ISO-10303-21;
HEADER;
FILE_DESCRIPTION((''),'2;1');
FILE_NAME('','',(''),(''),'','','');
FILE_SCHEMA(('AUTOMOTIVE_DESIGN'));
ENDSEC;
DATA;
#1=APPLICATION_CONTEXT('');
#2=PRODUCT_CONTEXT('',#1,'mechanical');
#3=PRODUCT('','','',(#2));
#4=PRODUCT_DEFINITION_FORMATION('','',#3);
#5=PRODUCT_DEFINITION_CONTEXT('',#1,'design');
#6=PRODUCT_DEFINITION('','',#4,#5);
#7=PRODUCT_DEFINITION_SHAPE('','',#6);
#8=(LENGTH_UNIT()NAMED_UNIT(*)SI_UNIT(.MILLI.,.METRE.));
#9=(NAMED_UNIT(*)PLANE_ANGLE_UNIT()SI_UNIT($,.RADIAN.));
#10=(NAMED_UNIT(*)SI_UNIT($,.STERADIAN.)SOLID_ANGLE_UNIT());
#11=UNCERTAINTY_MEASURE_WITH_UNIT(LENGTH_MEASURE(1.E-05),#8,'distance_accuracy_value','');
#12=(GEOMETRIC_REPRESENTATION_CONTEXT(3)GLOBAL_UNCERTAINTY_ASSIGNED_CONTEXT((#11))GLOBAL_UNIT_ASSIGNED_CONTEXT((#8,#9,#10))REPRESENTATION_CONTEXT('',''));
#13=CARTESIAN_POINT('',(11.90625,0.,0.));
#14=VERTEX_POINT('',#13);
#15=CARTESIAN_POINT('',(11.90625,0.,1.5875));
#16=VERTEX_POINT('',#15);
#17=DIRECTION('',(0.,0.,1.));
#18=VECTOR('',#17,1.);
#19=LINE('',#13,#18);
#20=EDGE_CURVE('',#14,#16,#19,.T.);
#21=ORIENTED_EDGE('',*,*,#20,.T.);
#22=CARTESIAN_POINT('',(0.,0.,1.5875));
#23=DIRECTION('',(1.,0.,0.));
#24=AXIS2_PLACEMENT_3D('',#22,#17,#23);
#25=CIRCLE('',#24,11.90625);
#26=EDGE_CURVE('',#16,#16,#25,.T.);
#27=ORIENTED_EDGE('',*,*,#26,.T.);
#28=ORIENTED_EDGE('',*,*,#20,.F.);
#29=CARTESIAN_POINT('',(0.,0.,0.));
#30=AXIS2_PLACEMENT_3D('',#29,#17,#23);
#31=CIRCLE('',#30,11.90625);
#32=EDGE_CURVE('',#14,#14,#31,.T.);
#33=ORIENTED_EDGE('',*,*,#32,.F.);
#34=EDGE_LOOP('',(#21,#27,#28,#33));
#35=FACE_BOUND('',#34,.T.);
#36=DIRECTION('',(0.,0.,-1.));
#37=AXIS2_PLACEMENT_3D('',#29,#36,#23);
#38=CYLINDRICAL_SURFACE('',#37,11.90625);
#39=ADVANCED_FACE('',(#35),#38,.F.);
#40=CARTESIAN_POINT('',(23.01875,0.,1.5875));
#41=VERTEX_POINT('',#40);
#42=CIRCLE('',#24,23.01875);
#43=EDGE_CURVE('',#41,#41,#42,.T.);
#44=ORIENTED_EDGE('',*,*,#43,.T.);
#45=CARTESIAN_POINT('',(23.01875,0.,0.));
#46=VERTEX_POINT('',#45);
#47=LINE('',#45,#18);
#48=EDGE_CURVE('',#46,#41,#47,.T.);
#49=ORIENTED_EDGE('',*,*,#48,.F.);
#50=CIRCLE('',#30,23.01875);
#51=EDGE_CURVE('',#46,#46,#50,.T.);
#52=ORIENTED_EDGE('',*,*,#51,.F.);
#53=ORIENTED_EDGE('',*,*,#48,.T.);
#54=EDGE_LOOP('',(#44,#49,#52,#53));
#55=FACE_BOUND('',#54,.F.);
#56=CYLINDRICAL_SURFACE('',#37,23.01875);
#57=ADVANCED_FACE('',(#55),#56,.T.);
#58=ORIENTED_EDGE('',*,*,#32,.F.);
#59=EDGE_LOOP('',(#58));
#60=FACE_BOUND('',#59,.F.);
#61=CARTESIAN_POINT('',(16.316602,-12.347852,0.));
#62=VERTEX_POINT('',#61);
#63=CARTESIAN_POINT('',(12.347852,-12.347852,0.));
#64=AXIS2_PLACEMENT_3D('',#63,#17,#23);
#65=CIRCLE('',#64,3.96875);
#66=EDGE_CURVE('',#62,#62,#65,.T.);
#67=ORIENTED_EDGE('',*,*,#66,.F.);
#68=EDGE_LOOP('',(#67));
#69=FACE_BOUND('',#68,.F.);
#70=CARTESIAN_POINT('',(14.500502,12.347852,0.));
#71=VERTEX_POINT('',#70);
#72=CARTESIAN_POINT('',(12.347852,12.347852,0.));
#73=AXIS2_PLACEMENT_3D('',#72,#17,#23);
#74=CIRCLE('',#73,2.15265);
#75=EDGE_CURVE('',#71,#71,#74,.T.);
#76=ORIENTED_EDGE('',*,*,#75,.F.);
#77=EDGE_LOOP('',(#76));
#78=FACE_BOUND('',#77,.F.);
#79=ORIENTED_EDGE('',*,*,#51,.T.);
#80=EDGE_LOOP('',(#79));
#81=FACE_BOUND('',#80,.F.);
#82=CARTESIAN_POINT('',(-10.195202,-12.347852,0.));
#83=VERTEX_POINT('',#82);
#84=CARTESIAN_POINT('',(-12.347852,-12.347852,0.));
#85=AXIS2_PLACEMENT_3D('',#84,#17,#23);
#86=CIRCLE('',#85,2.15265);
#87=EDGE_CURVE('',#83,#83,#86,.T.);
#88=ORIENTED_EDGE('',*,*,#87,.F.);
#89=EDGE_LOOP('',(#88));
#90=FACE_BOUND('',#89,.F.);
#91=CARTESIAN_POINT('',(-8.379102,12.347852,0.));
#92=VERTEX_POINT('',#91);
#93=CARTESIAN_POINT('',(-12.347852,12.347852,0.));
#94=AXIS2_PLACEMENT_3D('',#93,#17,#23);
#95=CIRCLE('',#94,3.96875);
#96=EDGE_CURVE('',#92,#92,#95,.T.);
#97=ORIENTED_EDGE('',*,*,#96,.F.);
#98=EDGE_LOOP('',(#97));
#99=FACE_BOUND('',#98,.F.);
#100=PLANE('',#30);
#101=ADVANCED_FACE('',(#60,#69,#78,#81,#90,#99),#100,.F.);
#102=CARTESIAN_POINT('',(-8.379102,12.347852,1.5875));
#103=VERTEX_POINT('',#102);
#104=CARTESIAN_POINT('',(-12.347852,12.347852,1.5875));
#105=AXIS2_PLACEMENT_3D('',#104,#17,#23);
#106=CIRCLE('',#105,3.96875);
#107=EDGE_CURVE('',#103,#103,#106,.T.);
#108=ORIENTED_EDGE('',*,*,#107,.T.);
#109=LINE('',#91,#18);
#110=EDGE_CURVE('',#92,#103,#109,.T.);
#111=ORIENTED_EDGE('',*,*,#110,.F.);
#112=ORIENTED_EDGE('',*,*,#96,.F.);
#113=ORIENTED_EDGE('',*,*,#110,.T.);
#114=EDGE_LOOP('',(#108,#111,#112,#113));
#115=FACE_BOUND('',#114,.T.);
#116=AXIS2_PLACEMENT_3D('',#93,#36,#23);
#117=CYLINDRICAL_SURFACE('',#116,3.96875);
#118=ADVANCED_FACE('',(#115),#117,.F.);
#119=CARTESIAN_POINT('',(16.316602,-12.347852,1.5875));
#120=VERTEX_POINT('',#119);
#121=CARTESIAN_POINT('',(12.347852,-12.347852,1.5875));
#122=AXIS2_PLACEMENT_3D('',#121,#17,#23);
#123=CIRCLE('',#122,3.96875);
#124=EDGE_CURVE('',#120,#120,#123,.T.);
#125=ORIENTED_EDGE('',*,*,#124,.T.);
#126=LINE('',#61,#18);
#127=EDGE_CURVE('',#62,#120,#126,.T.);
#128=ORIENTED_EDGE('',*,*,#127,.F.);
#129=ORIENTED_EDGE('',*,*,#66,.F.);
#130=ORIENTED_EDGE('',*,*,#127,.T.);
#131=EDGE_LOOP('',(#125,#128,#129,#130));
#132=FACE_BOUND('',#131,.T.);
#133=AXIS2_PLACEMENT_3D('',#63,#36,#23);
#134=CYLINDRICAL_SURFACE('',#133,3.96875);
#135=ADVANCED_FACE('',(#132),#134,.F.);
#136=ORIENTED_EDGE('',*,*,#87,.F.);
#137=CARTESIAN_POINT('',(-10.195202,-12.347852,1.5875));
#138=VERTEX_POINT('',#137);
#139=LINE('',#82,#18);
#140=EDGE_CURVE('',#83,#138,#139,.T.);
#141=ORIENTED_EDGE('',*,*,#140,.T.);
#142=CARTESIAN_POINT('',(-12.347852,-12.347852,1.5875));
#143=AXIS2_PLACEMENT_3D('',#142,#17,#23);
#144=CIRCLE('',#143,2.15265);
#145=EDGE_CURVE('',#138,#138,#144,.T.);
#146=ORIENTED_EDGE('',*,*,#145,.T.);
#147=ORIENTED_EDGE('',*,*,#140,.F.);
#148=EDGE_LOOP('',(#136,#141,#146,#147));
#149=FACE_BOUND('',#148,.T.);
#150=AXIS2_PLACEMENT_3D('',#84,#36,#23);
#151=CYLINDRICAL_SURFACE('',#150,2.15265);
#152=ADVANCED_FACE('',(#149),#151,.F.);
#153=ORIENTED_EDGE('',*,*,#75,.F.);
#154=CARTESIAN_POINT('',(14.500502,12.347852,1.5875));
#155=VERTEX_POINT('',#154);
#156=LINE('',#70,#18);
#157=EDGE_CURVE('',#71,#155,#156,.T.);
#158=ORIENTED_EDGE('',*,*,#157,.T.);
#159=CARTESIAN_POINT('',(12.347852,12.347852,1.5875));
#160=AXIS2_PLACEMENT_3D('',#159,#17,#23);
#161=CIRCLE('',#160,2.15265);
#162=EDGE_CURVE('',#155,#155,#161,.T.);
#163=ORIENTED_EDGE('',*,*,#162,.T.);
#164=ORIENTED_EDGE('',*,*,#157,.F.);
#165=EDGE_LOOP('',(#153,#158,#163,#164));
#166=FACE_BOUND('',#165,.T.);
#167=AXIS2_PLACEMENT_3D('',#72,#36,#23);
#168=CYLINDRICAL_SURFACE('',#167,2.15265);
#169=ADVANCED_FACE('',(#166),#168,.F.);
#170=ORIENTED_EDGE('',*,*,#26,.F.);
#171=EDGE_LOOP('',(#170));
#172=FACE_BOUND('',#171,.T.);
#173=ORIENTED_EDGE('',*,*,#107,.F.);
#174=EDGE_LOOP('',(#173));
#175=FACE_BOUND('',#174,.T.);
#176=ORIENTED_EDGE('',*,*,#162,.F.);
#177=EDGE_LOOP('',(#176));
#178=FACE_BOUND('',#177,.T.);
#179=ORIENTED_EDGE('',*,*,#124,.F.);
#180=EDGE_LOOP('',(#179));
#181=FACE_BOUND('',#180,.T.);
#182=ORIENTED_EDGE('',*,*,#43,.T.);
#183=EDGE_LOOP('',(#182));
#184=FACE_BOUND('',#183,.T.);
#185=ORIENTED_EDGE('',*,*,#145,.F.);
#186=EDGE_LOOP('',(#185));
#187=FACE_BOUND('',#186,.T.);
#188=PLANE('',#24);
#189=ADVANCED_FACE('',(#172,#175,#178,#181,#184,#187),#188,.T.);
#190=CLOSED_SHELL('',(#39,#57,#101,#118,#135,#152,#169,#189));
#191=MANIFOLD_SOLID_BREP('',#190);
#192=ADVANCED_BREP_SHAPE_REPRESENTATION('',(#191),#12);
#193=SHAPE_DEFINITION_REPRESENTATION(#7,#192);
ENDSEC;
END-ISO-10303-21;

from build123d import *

# Parameters (mm, degrees)
F0_R     = 23.01875
F0_R_2   = 2.15265
F0_R_3   = 3.96875
F0_R_4   = 11.90625
F1_DEPTH = 1.5875


with BuildPart() as f1:
    # F0 (on Top) → F1 (new body)
    with BuildSketch(Plane.XY):
        Circle(F0_R)
        with Locations((-12.347852, -12.347852)):
            Circle(F0_R_2, mode=Mode.SUBTRACT)
        with Locations((12.347852, -12.347852)):
            Circle(F0_R_3, mode=Mode.SUBTRACT)
        with Locations((-12.347852, 12.347852)):
            Circle(F0_R_3, mode=Mode.SUBTRACT)
        Circle(F0_R_4, mode=Mode.SUBTRACT)
        with Locations((12.347852, 12.347852)):
            Circle(F0_R_2, mode=Mode.SUBTRACT)
    extrude(amount=F1_DEPTH)


solid = f1.part
